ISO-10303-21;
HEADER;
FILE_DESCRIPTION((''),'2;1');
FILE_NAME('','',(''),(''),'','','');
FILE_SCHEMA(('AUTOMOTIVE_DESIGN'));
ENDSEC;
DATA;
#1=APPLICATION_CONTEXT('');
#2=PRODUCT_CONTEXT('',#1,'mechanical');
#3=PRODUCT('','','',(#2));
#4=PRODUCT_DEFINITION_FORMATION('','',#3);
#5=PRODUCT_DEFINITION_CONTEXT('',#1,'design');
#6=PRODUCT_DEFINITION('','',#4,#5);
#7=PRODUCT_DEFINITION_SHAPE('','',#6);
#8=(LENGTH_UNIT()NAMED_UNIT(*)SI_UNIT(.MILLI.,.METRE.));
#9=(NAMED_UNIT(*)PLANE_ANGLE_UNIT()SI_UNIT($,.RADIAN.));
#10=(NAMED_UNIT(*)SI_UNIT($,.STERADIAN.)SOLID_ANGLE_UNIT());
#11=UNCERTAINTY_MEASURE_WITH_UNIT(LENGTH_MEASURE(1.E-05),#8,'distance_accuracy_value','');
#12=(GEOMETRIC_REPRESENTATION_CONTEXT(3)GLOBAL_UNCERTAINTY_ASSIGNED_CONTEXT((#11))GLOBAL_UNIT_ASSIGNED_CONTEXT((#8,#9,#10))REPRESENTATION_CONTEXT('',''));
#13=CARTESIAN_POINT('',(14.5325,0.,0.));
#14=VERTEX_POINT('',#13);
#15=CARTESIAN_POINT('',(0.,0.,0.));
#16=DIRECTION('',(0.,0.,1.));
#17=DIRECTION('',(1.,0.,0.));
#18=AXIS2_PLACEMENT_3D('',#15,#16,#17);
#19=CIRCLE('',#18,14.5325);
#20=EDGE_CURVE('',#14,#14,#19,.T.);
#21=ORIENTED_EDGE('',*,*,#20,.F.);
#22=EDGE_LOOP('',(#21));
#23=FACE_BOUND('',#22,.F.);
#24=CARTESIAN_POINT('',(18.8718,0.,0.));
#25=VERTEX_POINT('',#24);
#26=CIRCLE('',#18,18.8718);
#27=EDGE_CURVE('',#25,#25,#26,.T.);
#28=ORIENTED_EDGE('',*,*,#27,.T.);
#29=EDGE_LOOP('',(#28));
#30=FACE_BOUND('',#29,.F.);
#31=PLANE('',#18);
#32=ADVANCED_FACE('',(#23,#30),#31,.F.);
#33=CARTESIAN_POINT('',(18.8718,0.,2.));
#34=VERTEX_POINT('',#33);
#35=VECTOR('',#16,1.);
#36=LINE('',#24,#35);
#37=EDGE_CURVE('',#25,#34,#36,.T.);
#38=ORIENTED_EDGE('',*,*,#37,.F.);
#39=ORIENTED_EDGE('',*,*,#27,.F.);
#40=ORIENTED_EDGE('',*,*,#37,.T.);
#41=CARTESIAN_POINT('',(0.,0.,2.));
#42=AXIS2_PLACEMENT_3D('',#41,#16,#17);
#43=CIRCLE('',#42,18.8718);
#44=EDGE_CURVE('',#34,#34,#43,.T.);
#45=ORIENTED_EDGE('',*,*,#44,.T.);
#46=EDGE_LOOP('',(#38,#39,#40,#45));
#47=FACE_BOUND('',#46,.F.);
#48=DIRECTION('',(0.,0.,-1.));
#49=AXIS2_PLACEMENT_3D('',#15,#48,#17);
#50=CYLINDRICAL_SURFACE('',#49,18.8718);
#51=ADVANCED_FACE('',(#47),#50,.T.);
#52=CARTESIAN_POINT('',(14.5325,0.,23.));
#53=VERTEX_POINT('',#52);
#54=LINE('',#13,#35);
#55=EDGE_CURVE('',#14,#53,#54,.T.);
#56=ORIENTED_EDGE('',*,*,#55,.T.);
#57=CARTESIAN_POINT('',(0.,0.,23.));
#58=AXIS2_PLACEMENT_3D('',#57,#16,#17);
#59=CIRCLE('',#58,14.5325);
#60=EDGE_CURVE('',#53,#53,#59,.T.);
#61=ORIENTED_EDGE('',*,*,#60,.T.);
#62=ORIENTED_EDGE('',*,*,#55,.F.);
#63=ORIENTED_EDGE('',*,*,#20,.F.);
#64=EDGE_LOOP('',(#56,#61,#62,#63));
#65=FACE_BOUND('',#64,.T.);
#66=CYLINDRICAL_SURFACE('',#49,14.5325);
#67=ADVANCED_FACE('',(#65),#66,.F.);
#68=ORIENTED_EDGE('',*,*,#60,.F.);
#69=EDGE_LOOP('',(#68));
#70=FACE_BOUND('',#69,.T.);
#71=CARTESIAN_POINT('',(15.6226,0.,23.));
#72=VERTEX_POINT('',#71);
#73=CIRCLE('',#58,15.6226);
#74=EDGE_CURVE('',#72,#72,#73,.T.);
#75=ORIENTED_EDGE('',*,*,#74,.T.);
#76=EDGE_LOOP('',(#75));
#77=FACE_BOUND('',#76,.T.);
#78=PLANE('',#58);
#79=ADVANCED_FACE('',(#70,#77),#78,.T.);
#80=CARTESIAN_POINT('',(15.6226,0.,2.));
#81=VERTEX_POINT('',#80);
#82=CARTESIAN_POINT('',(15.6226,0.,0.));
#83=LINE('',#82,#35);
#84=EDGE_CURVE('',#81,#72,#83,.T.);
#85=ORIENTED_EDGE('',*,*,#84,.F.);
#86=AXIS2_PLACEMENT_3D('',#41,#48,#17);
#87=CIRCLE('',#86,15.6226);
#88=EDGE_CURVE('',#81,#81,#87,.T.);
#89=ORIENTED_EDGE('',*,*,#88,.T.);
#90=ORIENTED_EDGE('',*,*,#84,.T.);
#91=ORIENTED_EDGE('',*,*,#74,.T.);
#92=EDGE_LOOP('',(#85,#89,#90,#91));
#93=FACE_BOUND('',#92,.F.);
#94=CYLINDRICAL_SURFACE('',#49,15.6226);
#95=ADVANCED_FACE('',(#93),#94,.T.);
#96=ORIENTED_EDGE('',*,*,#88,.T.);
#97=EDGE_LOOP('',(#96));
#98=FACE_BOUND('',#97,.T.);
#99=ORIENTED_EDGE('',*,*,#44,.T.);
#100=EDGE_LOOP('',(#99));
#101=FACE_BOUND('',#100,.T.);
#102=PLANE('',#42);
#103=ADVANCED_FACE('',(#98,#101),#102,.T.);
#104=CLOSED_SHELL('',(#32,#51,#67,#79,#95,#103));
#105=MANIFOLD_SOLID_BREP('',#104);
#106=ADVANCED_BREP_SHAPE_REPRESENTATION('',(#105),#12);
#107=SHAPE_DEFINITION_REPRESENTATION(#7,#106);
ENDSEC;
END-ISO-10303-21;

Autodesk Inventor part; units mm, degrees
ref_plane "YZ Plane" through (0, 0, 0) normal (1, 0, 0) x (0, 1, 0)
ref_plane "XZ Plane" through (0, 0, 0) normal (0, 1, 0) x (-1, 0, 0)
sketch "Sketch1" plane through (0, 0, 0) normal (0, 0, 1) x (1, 0, 0)
  circle A0 centre (0, 0) radius 18.8718
  circle A1 centre (0, 0) radius 14.5325
  circle A2 centre (0, 0) radius 15.6226
extrude "Extrusion1" add sketch "Sketch1" along normal blind 2 contours A0 | A2
ref_plane "Work Plane1" through (-29.0978, -29.0978, 23) normal (0, 0, -1) x (0, 1, 0)
extrude "Extrusion2" add sketch "Sketch1" along normal up to surface (23 mm away) contours A2
properties part number "KuplungZar"
